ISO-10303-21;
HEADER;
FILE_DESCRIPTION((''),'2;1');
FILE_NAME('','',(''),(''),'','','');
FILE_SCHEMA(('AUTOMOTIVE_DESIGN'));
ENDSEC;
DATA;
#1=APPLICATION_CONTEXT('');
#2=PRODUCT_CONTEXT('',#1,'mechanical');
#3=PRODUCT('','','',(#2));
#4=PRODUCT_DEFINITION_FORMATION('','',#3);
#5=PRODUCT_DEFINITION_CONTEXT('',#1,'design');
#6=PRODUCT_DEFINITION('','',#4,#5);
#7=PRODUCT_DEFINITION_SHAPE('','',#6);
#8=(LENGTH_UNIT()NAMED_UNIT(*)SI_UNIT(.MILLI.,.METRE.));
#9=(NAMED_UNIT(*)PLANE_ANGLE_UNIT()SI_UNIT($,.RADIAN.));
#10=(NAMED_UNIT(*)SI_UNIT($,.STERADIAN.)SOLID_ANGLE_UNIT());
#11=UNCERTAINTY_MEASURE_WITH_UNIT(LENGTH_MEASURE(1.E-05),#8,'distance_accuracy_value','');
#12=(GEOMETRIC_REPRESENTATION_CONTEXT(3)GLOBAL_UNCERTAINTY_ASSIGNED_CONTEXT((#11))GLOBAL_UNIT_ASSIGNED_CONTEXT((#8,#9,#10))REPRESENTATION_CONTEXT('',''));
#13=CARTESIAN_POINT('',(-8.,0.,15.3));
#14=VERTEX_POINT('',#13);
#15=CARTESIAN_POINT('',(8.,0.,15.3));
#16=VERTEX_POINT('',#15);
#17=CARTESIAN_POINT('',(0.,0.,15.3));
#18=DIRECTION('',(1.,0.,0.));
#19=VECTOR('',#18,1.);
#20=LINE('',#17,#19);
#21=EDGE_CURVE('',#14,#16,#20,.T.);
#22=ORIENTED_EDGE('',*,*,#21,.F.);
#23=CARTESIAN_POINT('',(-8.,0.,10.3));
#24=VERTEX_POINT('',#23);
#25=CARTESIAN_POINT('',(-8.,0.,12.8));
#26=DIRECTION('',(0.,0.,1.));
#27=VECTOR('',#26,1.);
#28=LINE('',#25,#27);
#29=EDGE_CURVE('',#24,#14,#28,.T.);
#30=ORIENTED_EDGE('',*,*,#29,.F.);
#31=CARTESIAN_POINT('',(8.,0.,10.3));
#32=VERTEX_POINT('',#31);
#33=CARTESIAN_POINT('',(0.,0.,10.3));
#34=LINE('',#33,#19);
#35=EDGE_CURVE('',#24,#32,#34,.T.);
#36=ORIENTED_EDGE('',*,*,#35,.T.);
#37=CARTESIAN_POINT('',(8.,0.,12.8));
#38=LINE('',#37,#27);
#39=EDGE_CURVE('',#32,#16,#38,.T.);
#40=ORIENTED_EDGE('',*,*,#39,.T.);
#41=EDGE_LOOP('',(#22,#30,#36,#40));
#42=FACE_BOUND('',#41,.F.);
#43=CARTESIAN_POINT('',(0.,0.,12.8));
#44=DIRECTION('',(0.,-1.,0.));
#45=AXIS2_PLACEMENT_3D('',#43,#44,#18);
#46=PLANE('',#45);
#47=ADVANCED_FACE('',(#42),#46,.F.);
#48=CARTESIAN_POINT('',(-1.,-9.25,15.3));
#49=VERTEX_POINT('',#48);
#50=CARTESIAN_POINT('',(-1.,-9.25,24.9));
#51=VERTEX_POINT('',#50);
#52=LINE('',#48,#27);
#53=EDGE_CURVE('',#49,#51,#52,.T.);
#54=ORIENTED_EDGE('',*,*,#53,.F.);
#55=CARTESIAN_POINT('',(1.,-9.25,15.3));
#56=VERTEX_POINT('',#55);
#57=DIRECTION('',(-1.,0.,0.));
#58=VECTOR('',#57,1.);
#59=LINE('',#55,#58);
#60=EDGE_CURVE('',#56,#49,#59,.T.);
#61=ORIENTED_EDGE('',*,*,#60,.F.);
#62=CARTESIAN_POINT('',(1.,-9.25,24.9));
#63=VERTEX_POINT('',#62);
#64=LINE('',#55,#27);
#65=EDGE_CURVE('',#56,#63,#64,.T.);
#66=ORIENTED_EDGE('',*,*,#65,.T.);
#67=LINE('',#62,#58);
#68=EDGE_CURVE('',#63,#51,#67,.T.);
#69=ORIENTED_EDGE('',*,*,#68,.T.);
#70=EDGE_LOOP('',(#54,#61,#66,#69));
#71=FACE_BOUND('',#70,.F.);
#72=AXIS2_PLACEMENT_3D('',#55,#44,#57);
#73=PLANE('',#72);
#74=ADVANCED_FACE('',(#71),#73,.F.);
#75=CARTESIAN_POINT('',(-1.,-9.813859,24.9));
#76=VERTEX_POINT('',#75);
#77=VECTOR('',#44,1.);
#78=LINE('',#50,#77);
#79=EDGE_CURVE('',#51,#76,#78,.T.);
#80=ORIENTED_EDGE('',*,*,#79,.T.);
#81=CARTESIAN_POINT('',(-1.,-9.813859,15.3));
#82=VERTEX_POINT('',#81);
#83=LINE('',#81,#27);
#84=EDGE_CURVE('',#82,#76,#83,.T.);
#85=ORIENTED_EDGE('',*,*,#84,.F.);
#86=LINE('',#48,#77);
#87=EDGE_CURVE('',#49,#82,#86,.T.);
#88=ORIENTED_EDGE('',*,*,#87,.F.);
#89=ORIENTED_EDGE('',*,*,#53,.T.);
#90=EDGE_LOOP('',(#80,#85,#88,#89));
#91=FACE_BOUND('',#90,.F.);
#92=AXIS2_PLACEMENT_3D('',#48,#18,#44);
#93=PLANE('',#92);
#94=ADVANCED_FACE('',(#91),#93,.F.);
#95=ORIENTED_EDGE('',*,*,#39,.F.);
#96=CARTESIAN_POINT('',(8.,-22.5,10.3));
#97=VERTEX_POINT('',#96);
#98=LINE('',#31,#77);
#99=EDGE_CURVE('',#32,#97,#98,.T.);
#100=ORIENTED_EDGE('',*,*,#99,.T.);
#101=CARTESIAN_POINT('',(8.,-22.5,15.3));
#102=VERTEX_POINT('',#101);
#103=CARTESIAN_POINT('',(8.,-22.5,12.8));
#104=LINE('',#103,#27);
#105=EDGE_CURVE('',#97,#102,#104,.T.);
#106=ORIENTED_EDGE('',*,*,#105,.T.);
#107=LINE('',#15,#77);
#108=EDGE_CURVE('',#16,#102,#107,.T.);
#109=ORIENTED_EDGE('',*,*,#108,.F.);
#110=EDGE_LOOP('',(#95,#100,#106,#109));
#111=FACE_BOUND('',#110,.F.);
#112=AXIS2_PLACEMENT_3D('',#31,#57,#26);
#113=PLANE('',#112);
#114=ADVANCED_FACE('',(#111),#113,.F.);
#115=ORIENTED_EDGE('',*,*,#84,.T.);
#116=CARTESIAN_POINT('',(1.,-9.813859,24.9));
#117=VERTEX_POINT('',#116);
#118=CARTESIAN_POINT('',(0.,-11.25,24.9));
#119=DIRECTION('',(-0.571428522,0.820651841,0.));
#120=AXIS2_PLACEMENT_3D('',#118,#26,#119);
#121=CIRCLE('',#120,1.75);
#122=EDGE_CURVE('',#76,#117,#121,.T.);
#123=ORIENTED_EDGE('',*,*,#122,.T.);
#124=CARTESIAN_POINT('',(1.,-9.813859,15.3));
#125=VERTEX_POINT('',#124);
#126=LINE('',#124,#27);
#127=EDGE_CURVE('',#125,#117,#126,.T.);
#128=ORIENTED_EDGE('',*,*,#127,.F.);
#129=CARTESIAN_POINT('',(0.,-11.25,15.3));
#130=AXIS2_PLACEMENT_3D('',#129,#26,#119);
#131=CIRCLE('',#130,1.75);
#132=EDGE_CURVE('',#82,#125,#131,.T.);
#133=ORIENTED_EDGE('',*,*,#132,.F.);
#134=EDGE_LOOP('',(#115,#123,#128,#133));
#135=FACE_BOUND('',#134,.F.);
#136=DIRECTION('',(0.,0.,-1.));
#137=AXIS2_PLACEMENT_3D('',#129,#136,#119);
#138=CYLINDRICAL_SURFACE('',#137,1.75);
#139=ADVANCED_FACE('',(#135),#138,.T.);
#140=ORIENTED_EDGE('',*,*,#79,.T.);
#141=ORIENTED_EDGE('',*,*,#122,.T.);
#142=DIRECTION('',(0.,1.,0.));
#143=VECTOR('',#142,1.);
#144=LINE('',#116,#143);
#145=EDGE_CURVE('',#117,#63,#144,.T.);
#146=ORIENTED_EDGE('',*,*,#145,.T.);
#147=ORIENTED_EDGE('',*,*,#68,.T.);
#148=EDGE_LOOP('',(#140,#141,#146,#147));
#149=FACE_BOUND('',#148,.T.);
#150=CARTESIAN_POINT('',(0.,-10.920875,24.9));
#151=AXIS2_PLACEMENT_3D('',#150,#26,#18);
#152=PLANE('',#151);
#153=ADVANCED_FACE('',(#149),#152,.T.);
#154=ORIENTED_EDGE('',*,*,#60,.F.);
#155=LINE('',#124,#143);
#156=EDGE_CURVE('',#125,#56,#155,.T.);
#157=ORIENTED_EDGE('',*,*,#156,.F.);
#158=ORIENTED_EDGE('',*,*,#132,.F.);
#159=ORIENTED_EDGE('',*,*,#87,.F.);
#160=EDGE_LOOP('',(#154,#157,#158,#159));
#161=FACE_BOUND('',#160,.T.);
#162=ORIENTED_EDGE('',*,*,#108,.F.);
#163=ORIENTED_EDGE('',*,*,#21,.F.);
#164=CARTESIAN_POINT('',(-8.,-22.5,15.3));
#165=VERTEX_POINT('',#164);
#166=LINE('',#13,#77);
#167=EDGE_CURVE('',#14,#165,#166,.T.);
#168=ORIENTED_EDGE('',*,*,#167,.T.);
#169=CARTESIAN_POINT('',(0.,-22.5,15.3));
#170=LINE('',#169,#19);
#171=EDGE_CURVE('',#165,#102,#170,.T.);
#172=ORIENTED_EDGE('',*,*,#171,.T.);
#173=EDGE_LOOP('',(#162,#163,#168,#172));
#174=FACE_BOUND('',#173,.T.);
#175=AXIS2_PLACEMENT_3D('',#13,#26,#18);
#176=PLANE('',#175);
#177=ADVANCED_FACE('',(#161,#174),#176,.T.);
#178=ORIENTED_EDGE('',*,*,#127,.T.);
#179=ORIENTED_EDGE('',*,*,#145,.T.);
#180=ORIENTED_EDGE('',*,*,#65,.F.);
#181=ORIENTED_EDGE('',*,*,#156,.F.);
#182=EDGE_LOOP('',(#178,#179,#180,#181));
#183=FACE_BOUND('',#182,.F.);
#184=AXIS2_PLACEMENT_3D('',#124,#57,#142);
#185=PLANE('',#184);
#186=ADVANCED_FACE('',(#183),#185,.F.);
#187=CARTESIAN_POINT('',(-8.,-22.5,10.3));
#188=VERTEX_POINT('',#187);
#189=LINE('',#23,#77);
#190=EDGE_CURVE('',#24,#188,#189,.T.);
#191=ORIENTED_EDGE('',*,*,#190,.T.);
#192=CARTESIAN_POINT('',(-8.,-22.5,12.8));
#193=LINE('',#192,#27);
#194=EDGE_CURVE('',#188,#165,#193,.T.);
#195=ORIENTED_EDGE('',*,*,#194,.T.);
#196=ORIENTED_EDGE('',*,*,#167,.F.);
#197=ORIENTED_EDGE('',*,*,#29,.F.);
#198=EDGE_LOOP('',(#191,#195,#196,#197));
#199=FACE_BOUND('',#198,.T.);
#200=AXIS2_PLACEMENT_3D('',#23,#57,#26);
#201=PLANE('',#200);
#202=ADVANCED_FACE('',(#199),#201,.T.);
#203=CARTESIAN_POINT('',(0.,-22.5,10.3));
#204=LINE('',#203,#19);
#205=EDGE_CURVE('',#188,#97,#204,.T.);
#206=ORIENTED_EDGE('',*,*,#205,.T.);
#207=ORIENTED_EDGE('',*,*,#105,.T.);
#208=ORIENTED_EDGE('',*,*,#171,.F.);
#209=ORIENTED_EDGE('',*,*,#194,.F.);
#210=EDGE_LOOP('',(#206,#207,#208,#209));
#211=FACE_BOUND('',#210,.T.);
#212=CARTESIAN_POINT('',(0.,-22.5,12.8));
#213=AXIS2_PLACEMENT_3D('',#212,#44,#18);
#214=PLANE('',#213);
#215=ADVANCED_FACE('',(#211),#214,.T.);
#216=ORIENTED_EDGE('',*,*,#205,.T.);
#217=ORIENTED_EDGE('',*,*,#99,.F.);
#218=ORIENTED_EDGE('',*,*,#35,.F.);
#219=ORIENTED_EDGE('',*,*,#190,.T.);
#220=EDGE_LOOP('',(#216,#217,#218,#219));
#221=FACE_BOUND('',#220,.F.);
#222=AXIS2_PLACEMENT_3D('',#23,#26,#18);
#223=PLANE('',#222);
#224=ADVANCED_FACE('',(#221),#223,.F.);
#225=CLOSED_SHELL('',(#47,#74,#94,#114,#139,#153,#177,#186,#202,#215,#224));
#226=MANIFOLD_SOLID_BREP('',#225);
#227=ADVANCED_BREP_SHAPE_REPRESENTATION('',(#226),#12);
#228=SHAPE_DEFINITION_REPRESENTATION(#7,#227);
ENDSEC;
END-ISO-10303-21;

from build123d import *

# Parameters (mm, degrees)
F0_W     = 16
F0_H     = 5
F1_DEPTH = 22.5
F3_DEPTH = 9.6


with BuildPart() as f1:
    # F0 (on Front) → F1 (new body)
    with BuildSketch(Plane.XZ):
        with Locations((0, 12.8)):
            Rectangle(F0_W, F0_H)
    extrude(amount=F1_DEPTH)

    # F2 (on face) → F3 (join)
    with BuildSketch(Plane.XY.offset(15.3)):
        with BuildLine():
            Line((-1, -9.25), (-1, -9.813859))
            ThreePointArc((-1, -9.813859), (0, -13), (1, -9.813859))
            Line((1, -9.813859), (1, -9.25))
            Line((1, -9.25), (-1, -9.25))
        make_face()
    extrude(amount=F3_DEPTH)


solid = f1.part
